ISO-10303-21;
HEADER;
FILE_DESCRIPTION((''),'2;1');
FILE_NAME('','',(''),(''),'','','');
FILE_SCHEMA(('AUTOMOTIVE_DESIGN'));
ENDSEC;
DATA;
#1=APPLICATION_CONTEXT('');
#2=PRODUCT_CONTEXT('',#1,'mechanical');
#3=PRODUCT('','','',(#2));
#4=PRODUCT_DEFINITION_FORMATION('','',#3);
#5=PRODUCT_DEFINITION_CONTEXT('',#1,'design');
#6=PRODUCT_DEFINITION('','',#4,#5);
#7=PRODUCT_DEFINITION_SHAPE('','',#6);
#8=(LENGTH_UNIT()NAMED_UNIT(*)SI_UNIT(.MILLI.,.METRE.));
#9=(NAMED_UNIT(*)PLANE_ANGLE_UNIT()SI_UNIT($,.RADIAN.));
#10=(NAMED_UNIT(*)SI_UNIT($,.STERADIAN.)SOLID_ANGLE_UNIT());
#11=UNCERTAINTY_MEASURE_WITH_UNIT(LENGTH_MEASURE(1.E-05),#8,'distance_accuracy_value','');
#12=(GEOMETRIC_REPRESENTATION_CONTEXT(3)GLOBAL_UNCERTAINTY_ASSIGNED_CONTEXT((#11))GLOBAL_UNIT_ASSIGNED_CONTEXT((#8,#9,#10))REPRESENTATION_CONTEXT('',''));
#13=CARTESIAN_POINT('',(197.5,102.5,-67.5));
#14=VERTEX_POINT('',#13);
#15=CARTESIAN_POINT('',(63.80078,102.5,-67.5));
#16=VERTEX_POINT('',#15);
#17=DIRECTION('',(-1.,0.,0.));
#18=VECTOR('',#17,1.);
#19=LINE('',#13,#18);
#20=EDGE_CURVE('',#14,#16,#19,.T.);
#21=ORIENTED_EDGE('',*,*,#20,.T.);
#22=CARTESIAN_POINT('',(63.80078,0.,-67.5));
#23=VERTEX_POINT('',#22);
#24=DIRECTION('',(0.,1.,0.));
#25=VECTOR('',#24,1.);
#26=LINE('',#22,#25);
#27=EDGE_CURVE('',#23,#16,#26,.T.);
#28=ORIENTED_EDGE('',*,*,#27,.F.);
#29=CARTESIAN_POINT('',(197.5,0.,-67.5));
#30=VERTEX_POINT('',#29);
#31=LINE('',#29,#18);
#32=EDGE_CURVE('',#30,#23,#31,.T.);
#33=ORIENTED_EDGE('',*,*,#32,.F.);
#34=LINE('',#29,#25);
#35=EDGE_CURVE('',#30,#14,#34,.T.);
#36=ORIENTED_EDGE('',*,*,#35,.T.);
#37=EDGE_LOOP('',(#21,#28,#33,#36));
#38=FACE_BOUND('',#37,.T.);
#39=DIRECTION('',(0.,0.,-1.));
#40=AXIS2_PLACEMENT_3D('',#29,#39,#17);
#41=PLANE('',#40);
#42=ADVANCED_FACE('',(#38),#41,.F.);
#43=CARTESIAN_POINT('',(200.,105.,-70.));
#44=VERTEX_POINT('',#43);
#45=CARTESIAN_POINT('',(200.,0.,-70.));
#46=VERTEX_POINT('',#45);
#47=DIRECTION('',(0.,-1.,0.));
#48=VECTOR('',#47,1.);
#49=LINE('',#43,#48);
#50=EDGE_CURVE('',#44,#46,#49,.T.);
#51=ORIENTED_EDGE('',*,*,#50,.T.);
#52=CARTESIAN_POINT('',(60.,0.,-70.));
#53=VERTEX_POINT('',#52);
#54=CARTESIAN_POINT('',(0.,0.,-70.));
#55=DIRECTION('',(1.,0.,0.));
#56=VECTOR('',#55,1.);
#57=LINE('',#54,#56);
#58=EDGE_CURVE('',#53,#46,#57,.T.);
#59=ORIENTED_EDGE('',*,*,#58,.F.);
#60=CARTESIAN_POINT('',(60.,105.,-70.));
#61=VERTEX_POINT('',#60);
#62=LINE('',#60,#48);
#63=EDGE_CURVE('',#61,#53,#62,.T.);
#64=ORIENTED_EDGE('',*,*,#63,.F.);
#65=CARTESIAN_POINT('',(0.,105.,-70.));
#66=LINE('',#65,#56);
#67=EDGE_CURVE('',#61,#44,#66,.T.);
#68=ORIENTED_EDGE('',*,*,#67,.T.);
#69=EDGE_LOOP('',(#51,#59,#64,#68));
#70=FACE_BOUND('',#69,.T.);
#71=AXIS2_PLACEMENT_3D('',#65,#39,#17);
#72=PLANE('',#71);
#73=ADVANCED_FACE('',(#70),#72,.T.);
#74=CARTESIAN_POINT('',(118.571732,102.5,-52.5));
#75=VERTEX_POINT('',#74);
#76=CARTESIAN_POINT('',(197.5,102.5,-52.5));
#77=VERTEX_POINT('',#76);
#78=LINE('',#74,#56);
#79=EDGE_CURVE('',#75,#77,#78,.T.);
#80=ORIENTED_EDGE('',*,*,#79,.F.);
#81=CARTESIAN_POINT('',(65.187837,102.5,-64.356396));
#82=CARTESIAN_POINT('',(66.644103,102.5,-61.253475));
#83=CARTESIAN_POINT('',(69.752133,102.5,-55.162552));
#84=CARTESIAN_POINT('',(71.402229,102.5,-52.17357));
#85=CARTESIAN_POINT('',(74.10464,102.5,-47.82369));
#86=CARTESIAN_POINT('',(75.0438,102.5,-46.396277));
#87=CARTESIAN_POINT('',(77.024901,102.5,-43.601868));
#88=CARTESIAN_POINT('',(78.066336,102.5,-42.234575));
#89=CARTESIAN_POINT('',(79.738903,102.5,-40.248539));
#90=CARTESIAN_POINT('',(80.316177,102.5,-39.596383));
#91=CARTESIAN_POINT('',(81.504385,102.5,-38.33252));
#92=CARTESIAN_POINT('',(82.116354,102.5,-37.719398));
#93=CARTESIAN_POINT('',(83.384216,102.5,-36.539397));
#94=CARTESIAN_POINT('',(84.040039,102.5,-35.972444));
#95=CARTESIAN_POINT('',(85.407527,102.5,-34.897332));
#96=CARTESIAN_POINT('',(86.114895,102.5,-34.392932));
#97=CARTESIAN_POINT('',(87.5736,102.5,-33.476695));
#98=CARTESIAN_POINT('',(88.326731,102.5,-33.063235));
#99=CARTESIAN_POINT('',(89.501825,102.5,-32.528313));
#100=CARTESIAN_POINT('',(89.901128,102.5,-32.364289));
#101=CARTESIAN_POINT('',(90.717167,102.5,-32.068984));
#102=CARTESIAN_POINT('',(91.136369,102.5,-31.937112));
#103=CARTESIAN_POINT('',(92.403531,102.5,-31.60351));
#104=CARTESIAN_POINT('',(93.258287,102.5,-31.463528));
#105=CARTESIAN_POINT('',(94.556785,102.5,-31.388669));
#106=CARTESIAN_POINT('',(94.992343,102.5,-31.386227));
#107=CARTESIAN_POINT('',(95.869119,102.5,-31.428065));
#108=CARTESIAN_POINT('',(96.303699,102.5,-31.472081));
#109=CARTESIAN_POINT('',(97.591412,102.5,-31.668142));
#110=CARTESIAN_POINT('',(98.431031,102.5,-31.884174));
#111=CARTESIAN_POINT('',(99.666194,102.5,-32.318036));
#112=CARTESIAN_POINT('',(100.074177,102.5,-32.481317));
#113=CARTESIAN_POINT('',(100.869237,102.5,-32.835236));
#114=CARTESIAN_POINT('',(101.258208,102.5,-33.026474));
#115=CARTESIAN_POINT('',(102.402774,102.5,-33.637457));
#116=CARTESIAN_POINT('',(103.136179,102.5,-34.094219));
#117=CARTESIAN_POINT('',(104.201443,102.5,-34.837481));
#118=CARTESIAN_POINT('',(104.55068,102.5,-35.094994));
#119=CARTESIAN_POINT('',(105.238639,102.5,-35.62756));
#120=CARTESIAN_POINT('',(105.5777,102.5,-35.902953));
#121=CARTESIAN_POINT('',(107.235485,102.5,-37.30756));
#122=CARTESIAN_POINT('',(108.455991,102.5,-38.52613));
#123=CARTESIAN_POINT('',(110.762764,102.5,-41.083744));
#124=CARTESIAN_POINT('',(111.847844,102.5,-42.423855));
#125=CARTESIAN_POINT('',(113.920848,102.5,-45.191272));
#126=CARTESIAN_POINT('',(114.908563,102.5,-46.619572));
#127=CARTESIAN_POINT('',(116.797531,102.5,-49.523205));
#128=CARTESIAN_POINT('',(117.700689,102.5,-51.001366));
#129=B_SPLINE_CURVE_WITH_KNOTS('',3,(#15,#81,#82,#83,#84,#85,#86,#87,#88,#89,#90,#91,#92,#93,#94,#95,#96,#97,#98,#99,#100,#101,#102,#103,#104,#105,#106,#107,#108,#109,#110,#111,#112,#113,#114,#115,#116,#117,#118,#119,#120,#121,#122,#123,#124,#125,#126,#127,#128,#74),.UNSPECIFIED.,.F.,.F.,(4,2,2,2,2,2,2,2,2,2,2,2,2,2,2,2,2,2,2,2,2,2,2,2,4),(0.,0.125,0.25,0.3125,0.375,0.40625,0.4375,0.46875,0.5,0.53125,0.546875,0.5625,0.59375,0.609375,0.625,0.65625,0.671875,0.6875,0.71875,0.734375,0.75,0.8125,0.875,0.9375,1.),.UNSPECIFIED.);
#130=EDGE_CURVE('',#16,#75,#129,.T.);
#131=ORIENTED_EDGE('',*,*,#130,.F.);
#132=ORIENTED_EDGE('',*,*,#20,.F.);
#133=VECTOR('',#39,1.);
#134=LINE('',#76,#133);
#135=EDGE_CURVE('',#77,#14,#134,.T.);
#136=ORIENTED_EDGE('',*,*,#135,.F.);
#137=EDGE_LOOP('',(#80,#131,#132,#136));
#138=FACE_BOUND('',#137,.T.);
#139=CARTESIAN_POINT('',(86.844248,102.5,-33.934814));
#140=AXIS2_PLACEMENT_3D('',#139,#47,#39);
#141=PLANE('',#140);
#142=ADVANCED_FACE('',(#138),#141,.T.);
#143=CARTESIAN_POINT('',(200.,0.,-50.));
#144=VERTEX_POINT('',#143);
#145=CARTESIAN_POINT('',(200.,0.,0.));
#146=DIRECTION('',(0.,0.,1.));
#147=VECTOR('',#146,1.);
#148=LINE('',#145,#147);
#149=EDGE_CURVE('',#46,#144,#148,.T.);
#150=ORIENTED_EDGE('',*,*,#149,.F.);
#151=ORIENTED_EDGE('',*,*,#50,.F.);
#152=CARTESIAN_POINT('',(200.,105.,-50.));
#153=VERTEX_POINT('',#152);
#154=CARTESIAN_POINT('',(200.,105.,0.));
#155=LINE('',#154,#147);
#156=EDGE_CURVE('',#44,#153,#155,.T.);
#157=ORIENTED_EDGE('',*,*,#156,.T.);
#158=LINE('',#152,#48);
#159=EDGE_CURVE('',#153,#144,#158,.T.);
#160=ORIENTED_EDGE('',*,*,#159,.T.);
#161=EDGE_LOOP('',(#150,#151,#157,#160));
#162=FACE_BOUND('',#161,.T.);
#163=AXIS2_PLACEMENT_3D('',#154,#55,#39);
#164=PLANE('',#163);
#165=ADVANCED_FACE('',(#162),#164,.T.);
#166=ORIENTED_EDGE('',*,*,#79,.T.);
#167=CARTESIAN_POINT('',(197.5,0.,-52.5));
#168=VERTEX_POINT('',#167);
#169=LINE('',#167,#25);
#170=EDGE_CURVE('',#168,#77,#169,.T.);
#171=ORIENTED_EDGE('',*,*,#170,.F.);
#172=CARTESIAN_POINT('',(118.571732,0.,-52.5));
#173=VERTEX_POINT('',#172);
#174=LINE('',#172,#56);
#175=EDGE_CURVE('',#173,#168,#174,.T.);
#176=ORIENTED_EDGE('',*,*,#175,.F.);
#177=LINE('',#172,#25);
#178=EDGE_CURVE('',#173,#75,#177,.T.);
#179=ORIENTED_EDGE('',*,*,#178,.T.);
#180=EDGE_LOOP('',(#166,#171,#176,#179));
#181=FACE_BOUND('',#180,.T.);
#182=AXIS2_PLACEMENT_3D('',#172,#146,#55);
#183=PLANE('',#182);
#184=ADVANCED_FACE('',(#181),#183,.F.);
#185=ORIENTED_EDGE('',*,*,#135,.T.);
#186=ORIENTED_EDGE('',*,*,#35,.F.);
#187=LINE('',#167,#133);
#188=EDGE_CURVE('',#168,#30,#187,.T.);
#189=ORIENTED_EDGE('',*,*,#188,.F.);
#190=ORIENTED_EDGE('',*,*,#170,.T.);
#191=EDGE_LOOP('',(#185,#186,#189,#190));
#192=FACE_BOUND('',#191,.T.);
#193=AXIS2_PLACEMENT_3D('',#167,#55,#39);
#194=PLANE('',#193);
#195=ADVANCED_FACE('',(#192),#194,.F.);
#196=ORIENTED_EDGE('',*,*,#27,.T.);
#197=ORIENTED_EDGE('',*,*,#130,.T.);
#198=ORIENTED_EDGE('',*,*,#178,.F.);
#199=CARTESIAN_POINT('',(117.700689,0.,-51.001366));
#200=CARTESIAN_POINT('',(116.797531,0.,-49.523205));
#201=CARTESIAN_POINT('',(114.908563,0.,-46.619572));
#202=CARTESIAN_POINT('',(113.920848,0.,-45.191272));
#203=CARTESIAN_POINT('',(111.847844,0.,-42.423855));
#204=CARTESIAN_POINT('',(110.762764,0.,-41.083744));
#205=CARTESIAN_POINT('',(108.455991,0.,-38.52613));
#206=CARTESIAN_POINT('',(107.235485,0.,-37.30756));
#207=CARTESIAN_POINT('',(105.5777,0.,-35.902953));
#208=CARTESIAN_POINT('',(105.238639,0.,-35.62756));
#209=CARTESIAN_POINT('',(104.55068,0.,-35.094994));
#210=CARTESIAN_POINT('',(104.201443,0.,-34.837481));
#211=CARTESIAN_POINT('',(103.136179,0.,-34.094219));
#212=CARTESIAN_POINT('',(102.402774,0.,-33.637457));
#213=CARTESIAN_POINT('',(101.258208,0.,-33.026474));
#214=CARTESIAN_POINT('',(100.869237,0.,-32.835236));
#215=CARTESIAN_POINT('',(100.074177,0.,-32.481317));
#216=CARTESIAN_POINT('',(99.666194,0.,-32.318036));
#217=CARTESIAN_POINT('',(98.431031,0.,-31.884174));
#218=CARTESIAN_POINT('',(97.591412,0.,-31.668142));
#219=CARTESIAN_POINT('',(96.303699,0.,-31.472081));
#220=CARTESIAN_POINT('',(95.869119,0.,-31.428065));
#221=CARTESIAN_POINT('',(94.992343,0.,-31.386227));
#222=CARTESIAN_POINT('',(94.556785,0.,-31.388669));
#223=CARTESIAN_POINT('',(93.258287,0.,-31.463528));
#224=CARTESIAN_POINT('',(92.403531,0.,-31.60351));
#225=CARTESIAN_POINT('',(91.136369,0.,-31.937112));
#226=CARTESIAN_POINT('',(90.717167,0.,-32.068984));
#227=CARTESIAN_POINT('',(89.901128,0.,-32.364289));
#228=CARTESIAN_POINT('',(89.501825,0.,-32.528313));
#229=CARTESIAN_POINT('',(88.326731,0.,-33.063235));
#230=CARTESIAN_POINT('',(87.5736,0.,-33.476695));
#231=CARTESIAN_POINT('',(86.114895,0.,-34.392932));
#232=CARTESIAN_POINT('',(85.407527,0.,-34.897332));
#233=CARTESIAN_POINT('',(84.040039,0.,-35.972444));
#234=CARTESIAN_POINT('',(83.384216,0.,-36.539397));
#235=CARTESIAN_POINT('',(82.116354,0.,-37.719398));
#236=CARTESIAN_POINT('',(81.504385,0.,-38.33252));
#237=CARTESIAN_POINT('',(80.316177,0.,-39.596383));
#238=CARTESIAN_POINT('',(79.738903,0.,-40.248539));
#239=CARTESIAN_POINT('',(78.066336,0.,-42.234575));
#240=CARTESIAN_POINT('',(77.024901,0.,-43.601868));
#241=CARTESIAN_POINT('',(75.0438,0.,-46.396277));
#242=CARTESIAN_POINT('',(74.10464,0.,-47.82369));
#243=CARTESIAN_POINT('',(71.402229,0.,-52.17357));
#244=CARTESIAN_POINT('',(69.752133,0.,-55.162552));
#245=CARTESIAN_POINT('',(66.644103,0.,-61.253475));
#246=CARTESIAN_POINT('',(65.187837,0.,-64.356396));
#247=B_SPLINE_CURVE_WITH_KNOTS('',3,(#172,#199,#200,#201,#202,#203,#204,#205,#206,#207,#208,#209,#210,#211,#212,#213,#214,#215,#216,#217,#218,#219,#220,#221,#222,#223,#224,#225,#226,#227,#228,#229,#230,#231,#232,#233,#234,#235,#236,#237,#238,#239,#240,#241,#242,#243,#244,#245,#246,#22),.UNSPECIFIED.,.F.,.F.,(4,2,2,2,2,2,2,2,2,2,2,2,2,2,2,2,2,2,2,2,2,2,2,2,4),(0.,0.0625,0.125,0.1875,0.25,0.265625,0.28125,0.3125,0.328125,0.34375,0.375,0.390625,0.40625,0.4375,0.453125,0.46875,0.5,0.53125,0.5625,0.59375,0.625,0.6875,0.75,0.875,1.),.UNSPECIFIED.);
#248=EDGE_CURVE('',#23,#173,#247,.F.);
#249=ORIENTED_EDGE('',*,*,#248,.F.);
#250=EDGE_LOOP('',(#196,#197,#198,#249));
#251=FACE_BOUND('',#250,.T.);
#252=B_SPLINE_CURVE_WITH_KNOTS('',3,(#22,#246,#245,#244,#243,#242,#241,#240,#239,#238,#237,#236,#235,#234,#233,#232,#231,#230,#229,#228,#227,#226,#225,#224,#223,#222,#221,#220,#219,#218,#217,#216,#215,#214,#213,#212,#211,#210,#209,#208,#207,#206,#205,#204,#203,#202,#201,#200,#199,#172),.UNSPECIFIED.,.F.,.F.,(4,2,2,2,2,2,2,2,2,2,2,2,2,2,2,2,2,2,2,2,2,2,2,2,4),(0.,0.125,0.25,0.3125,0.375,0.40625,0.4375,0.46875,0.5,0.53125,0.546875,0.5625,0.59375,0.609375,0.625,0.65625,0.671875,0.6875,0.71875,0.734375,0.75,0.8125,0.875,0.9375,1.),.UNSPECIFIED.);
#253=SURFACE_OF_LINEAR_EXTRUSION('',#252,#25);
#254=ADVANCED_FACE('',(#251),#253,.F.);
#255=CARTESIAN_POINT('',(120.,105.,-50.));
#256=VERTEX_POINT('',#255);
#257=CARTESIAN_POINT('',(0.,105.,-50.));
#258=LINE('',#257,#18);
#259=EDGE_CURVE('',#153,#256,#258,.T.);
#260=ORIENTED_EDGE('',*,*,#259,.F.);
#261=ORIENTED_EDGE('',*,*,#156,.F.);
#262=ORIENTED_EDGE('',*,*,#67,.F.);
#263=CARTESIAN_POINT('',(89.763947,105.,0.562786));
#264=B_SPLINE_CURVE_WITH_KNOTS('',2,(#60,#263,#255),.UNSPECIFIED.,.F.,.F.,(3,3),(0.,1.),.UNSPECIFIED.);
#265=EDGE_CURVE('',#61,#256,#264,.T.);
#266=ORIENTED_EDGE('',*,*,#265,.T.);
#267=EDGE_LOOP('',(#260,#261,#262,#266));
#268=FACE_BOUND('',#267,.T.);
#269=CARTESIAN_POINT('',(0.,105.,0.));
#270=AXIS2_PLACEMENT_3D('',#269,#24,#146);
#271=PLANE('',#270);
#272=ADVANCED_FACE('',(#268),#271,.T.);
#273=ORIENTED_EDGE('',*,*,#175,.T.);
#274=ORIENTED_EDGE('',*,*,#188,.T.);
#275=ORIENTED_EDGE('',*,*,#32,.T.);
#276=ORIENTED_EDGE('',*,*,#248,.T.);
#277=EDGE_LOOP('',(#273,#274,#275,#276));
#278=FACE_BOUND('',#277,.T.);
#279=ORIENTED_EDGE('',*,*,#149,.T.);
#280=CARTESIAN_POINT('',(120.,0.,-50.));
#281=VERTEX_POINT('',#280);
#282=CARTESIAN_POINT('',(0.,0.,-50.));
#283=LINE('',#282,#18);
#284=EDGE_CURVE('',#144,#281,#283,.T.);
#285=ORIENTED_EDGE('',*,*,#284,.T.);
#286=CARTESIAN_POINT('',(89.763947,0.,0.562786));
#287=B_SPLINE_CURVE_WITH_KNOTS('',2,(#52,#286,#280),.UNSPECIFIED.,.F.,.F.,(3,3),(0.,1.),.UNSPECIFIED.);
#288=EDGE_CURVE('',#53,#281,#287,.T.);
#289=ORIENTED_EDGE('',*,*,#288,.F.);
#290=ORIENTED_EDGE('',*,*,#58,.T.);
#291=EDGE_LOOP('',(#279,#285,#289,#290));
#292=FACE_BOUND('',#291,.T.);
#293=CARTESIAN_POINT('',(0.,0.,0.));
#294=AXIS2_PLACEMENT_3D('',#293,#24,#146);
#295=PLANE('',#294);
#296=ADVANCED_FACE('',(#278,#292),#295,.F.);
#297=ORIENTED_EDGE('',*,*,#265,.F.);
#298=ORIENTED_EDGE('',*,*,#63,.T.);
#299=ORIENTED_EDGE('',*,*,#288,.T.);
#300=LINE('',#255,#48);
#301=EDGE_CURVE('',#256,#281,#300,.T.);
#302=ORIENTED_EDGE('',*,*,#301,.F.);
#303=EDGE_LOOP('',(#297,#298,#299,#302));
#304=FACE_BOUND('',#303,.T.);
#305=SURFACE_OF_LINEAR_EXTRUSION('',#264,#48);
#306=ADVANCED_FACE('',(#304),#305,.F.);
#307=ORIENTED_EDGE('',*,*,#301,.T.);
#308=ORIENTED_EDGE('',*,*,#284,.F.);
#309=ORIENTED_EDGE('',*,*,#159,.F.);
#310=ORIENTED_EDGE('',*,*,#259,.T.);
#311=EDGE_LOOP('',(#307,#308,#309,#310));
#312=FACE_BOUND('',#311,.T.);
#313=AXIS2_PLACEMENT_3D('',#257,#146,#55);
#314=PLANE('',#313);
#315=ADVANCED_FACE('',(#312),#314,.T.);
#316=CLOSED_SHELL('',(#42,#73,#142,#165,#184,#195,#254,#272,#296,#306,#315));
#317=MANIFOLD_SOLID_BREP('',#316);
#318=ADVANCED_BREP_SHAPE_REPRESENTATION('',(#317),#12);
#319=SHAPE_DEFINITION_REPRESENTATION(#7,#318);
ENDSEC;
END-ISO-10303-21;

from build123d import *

# Parameters (mm, degrees)
SALIENTE_EXTRUIR1_DEPTH = 105
CORTAR_EXTRUIR2_START   = -2.5
CORTAR_EXTRUIR2_DEPTH   = 234.984671966


with BuildPart() as part:
    # Croquis2 → Saliente-Extruir1 (new body)
    with BuildSketch(Plane(origin=(0, 0, 0), x_dir=(1, 0, 0), z_dir=(0, 1, 0))):
        with BuildLine():
            Line((120, 70), (60, 70))
            add(Edge.make_bspline(
                [(60, 70), (89.76394683, -0.562785514), (120, 50)],
                knots=[0, 0, 0, 1, 1, 1], degree=2))
            Line((120, 50), (200, 50))
            Line((200, 50), (200, 70))
            Line((200, 70), (120, 70))
        make_face()
    extrude(amount=SALIENTE_EXTRUIR1_DEPTH)

    # Croquis4 → Cortar-Extruir2 (cut, through all)
    with BuildSketch(Plane(origin=(0, 105, 0), x_dir=(1, 0, 0), z_dir=(0, 1, 0)).offset(CORTAR_EXTRUIR2_START)):
        with BuildLine():
            Line((197.5, 67.5), (63.800779649, 67.5))
            add(Edge.make_bspline(
                [(63.800779649, 67.5), (65.18783691, 64.356396301), (66.644103156, 61.253475495), (69.752132806, 55.162552342), (71.402228827, 52.173569863), (74.104640396, 47.823690083), (75.043800331, 46.396276886), (77.024901029, 43.601867812), (78.066336024, 42.234574631), (79.738902554, 40.248539184), (80.316176798, 39.596382507), (81.504384845, 38.332520032), (82.11635398, 37.719397568), (83.384216047, 36.539396559), (84.04003863, 35.972443948), (85.407527446, 34.897332122), (86.114894929, 34.392932493), (87.573600332, 33.476694566), (88.326730919, 33.06323511), (89.501825231, 32.528313039), (89.901127997, 32.364288721), (90.717167486, 32.068984459), (91.136369007, 31.937111718), (92.403530819, 31.603509814), (93.258287044, 31.463528395), (94.556784576, 31.38866897), (94.992343306, 31.386226518), (95.869119285, 31.428064625), (96.30369887, 31.472081043), (97.591411513, 31.668142007), (98.431031327, 31.884173903), (99.666193937, 32.318036143), (100.074177189, 32.481317006), (100.869237422, 32.83523612), (101.258207725, 33.026473629), (102.402774127, 33.637457272), (103.136178711, 34.094219324), (104.201442555, 34.837481327), (104.550679955, 35.094994167), (105.238639259, 35.627559919), (105.577699644, 35.90295294), (107.2354852, 37.307560104), (108.455990571, 38.526129809), (110.76276443, 41.083743665), (111.847843608, 42.423855195), (113.920848072, 45.191271588), (114.908562721, 46.619572225), (116.797531302, 49.523204728), (117.700689072, 51.001365908), (118.571731582, 52.5)],
                knots=[0, 0, 0, 0, 0.125, 0.125, 0.25, 0.25, 0.3125, 0.3125, 0.375, 0.375, 0.40625, 0.40625, 0.4375, 0.4375, 0.46875, 0.46875, 0.5, 0.5, 0.53125, 0.53125, 0.546875, 0.546875, 0.5625, 0.5625, 0.59375, 0.59375, 0.609375, 0.609375, 0.625, 0.625, 0.65625, 0.65625, 0.671875, 0.671875, 0.6875, 0.6875, 0.71875, 0.71875, 0.734375, 0.734375, 0.75, 0.75, 0.8125, 0.8125, 0.875, 0.875, 0.9375, 0.9375, 1, 1, 1, 1], degree=3))
            Line((118.571731582, 52.5), (197.5, 52.5))
            Line((197.5, 52.5), (197.5, 67.5))
        make_face()
    extrude(amount=-CORTAR_EXTRUIR2_DEPTH, mode=Mode.SUBTRACT)


solid = part.part
